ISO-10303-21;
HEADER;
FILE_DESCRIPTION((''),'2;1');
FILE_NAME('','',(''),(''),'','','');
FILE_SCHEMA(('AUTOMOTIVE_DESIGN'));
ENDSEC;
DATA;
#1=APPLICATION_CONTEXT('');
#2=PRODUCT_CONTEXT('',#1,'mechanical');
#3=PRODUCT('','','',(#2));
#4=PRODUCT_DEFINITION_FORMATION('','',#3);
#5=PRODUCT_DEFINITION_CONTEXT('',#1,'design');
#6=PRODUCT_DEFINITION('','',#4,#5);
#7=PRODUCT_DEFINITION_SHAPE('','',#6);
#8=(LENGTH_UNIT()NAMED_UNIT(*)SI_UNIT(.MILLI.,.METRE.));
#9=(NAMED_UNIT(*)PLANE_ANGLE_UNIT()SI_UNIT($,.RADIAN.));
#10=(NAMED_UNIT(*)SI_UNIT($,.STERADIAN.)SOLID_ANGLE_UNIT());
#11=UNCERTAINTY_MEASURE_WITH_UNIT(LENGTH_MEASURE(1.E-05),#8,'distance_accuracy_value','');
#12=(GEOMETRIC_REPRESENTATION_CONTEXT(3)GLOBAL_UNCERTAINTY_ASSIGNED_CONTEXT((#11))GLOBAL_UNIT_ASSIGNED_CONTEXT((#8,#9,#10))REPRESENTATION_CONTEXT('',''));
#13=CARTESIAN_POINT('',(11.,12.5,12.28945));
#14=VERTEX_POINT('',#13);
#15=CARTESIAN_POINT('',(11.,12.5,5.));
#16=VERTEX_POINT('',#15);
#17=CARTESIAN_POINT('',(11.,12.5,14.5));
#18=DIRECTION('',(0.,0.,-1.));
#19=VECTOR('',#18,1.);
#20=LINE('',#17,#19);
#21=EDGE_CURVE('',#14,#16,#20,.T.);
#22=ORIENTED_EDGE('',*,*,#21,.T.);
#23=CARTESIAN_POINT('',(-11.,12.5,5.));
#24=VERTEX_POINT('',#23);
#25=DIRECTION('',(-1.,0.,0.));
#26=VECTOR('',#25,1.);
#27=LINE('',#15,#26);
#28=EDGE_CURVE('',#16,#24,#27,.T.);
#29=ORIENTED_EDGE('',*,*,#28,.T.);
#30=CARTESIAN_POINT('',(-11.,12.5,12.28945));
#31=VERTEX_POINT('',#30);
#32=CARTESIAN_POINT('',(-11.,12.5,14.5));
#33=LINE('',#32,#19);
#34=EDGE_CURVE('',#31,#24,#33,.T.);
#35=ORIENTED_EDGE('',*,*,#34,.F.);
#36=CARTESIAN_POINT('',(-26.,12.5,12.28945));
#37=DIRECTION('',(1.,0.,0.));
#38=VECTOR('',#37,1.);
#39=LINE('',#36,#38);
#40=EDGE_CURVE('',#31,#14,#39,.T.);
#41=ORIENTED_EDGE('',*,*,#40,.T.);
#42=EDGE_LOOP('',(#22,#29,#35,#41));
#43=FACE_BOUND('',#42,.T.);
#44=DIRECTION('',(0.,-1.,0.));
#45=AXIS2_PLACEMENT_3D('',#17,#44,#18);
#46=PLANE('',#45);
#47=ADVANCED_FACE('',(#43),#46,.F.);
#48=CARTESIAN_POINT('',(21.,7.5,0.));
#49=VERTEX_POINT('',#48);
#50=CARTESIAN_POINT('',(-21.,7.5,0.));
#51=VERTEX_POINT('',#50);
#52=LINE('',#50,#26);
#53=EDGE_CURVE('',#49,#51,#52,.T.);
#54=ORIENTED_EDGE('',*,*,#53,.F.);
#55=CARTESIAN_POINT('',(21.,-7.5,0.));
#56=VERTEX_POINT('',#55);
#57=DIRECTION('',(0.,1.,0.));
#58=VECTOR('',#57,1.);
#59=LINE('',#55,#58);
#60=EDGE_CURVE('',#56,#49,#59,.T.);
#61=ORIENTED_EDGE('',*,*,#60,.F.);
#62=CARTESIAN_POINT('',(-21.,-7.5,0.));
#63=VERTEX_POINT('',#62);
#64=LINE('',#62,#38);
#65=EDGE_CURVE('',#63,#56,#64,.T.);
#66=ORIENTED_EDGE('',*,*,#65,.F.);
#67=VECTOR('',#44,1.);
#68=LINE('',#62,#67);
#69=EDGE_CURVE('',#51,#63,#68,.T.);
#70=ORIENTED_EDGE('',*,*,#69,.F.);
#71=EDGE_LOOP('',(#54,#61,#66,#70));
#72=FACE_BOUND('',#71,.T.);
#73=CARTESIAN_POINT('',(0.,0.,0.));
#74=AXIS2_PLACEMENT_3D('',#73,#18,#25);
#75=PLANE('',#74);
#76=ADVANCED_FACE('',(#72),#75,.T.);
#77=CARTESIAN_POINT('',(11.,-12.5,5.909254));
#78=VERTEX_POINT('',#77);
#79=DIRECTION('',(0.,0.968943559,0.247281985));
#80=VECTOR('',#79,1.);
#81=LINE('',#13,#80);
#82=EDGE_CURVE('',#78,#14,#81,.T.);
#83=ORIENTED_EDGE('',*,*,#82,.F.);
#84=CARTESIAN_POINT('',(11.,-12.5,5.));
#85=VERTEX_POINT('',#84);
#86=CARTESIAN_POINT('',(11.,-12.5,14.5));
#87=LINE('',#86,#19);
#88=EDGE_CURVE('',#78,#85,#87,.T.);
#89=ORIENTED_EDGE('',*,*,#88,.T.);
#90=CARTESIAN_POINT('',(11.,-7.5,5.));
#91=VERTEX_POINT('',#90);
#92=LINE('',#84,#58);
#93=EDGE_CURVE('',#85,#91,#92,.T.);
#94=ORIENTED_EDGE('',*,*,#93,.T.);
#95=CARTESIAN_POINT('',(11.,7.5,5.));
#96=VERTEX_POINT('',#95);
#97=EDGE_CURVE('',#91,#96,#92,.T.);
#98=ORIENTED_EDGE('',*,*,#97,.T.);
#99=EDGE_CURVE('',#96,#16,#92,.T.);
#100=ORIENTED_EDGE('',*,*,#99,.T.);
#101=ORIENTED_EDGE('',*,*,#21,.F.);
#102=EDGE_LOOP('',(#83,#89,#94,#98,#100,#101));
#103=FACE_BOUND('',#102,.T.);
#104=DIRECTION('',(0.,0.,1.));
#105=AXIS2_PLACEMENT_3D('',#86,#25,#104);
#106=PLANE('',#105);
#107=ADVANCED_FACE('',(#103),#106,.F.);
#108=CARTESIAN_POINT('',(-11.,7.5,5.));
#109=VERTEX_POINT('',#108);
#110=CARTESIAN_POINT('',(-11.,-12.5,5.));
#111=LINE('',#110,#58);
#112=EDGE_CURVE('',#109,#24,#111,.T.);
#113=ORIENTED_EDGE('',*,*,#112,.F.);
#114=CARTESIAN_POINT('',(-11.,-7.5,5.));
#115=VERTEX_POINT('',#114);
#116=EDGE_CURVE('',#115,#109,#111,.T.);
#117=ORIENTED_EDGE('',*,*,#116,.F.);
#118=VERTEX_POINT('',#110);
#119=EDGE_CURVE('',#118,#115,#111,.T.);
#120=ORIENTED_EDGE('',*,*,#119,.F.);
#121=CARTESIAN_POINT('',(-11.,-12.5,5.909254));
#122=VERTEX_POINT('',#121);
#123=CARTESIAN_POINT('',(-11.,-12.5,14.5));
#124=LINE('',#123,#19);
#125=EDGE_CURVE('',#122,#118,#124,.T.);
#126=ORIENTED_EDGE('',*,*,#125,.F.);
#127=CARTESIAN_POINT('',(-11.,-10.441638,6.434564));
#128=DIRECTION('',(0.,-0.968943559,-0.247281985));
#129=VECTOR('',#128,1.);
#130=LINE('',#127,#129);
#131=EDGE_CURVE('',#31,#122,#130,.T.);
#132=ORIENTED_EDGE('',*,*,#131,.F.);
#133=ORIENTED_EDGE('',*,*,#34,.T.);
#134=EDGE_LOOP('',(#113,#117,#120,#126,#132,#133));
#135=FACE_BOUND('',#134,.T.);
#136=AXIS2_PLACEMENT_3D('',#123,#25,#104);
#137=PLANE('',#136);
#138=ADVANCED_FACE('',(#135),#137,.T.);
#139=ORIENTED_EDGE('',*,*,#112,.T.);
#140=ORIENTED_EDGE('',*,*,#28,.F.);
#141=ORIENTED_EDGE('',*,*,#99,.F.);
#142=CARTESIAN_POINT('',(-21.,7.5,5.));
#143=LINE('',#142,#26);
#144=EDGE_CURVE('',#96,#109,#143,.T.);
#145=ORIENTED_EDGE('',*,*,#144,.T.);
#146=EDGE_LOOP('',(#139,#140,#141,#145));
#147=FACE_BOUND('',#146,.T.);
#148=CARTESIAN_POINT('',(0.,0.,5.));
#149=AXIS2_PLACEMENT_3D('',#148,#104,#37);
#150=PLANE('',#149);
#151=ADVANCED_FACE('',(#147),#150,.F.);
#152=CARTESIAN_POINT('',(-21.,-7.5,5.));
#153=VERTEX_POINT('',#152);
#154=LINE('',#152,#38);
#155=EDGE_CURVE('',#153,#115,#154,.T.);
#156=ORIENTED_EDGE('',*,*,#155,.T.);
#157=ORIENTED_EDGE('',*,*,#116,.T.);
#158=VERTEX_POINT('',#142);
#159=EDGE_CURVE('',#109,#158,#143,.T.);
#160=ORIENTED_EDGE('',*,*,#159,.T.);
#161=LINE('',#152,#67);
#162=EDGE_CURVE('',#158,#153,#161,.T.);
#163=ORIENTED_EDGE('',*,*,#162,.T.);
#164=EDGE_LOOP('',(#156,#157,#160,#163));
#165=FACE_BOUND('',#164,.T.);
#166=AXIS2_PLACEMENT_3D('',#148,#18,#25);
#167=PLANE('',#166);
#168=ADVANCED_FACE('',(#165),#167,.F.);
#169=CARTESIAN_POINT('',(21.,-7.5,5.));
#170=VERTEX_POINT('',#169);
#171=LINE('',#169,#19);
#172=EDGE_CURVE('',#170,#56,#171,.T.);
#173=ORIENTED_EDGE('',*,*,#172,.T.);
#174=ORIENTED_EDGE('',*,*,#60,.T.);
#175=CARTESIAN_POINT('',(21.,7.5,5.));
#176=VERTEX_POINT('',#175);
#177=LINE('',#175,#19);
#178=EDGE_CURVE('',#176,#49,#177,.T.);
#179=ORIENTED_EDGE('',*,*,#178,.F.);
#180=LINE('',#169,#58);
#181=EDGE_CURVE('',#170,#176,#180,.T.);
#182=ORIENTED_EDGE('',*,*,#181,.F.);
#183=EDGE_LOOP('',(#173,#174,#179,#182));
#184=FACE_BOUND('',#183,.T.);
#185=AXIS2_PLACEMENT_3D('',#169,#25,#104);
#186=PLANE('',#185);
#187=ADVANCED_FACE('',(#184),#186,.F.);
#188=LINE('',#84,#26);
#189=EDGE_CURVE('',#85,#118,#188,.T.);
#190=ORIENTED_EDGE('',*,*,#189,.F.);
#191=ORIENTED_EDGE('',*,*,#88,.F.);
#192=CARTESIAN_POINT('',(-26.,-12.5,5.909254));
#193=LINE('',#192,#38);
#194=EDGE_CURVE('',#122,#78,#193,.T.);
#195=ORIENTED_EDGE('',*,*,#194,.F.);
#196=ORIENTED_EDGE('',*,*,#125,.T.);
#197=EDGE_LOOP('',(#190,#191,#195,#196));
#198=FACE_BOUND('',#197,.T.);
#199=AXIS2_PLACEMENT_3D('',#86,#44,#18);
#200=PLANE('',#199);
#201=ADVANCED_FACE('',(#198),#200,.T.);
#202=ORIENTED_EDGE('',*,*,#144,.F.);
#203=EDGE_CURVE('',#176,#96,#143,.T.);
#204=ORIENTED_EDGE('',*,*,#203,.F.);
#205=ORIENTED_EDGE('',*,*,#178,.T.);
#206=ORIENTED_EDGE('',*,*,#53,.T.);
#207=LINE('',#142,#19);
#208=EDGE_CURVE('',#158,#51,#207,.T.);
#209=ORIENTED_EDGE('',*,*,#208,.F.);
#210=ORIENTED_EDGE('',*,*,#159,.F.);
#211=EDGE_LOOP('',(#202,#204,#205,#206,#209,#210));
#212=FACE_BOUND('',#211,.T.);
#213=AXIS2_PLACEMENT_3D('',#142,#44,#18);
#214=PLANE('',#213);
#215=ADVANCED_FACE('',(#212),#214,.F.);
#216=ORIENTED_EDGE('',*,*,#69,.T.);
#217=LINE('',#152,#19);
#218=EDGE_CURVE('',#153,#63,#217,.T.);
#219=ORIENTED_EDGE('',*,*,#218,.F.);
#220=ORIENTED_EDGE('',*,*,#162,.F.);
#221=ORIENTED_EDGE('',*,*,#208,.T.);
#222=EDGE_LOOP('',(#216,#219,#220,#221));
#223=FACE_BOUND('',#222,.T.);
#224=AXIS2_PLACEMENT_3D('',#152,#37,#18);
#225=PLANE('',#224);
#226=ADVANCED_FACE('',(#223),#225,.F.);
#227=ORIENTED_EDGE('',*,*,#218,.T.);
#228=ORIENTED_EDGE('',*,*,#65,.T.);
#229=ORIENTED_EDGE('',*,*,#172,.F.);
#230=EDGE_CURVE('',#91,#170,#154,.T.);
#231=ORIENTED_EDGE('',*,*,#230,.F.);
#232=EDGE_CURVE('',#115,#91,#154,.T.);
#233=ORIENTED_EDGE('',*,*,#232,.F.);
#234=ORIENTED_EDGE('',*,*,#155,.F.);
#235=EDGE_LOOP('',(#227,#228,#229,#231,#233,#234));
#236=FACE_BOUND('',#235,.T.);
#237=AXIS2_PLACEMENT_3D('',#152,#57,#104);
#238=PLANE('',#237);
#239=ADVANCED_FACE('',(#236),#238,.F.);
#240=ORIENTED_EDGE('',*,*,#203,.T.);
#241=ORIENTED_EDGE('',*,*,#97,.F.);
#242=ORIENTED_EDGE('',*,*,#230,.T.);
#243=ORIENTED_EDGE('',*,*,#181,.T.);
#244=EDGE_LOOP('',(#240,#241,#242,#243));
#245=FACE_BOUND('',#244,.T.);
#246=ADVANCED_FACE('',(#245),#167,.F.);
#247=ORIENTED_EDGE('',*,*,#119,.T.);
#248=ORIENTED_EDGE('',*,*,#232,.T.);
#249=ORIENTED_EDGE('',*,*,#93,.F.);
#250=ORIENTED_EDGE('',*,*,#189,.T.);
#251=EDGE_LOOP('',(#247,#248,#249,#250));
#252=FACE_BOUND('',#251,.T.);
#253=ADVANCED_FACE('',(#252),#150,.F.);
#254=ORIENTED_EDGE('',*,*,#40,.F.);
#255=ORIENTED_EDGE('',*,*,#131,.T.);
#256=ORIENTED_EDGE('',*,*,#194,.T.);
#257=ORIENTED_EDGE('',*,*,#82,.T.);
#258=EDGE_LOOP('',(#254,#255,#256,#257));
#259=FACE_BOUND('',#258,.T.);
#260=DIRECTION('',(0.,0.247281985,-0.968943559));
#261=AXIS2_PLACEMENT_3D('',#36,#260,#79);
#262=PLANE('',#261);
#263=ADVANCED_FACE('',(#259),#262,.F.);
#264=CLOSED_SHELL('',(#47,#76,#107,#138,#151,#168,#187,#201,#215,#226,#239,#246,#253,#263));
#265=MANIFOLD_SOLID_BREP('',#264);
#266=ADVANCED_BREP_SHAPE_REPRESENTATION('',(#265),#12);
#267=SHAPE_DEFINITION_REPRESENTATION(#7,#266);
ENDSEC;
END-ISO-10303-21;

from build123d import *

# Parameters (mm, degrees)
SKETCH_1_W          = 42
SKETCH_1_H          = 15
EXTRUDE_1_DEPTH     = 5
SKETCH_2_W          = 22
SKETCH_2_H          = 25
EXTRUDE_2_DEPTH     = 9.5
CUT_EXTRUDE_1_DEPTH = 37


with BuildPart() as part:
    # 스케치1 → 보스-돌출1 (new body)
    with BuildSketch(Plane.XY):
        Rectangle(SKETCH_1_W, SKETCH_1_H)
    extrude(amount=EXTRUDE_1_DEPTH)

    # 스케치2 → 보스-돌출2 (add)
    with BuildSketch(Plane.XY.offset(5)):
        Rectangle(SKETCH_2_W, SKETCH_2_H)
    extrude(amount=EXTRUDE_2_DEPTH)

    # 스케치3 → 컷-돌출1 (cut)
    with BuildSketch(Plane(origin=(11, 0, 0), x_dir=(0, 0, -1), z_dir=(1, 0, 0))):
        Polygon((-12.28944968, 12.5), (-5.909253868, -12.5), (-14.5, -12.5), (-14.5, 12.5), align=None)
    extrude(amount=-CUT_EXTRUDE_1_DEPTH, mode=Mode.SUBTRACT)


solid = part.part
